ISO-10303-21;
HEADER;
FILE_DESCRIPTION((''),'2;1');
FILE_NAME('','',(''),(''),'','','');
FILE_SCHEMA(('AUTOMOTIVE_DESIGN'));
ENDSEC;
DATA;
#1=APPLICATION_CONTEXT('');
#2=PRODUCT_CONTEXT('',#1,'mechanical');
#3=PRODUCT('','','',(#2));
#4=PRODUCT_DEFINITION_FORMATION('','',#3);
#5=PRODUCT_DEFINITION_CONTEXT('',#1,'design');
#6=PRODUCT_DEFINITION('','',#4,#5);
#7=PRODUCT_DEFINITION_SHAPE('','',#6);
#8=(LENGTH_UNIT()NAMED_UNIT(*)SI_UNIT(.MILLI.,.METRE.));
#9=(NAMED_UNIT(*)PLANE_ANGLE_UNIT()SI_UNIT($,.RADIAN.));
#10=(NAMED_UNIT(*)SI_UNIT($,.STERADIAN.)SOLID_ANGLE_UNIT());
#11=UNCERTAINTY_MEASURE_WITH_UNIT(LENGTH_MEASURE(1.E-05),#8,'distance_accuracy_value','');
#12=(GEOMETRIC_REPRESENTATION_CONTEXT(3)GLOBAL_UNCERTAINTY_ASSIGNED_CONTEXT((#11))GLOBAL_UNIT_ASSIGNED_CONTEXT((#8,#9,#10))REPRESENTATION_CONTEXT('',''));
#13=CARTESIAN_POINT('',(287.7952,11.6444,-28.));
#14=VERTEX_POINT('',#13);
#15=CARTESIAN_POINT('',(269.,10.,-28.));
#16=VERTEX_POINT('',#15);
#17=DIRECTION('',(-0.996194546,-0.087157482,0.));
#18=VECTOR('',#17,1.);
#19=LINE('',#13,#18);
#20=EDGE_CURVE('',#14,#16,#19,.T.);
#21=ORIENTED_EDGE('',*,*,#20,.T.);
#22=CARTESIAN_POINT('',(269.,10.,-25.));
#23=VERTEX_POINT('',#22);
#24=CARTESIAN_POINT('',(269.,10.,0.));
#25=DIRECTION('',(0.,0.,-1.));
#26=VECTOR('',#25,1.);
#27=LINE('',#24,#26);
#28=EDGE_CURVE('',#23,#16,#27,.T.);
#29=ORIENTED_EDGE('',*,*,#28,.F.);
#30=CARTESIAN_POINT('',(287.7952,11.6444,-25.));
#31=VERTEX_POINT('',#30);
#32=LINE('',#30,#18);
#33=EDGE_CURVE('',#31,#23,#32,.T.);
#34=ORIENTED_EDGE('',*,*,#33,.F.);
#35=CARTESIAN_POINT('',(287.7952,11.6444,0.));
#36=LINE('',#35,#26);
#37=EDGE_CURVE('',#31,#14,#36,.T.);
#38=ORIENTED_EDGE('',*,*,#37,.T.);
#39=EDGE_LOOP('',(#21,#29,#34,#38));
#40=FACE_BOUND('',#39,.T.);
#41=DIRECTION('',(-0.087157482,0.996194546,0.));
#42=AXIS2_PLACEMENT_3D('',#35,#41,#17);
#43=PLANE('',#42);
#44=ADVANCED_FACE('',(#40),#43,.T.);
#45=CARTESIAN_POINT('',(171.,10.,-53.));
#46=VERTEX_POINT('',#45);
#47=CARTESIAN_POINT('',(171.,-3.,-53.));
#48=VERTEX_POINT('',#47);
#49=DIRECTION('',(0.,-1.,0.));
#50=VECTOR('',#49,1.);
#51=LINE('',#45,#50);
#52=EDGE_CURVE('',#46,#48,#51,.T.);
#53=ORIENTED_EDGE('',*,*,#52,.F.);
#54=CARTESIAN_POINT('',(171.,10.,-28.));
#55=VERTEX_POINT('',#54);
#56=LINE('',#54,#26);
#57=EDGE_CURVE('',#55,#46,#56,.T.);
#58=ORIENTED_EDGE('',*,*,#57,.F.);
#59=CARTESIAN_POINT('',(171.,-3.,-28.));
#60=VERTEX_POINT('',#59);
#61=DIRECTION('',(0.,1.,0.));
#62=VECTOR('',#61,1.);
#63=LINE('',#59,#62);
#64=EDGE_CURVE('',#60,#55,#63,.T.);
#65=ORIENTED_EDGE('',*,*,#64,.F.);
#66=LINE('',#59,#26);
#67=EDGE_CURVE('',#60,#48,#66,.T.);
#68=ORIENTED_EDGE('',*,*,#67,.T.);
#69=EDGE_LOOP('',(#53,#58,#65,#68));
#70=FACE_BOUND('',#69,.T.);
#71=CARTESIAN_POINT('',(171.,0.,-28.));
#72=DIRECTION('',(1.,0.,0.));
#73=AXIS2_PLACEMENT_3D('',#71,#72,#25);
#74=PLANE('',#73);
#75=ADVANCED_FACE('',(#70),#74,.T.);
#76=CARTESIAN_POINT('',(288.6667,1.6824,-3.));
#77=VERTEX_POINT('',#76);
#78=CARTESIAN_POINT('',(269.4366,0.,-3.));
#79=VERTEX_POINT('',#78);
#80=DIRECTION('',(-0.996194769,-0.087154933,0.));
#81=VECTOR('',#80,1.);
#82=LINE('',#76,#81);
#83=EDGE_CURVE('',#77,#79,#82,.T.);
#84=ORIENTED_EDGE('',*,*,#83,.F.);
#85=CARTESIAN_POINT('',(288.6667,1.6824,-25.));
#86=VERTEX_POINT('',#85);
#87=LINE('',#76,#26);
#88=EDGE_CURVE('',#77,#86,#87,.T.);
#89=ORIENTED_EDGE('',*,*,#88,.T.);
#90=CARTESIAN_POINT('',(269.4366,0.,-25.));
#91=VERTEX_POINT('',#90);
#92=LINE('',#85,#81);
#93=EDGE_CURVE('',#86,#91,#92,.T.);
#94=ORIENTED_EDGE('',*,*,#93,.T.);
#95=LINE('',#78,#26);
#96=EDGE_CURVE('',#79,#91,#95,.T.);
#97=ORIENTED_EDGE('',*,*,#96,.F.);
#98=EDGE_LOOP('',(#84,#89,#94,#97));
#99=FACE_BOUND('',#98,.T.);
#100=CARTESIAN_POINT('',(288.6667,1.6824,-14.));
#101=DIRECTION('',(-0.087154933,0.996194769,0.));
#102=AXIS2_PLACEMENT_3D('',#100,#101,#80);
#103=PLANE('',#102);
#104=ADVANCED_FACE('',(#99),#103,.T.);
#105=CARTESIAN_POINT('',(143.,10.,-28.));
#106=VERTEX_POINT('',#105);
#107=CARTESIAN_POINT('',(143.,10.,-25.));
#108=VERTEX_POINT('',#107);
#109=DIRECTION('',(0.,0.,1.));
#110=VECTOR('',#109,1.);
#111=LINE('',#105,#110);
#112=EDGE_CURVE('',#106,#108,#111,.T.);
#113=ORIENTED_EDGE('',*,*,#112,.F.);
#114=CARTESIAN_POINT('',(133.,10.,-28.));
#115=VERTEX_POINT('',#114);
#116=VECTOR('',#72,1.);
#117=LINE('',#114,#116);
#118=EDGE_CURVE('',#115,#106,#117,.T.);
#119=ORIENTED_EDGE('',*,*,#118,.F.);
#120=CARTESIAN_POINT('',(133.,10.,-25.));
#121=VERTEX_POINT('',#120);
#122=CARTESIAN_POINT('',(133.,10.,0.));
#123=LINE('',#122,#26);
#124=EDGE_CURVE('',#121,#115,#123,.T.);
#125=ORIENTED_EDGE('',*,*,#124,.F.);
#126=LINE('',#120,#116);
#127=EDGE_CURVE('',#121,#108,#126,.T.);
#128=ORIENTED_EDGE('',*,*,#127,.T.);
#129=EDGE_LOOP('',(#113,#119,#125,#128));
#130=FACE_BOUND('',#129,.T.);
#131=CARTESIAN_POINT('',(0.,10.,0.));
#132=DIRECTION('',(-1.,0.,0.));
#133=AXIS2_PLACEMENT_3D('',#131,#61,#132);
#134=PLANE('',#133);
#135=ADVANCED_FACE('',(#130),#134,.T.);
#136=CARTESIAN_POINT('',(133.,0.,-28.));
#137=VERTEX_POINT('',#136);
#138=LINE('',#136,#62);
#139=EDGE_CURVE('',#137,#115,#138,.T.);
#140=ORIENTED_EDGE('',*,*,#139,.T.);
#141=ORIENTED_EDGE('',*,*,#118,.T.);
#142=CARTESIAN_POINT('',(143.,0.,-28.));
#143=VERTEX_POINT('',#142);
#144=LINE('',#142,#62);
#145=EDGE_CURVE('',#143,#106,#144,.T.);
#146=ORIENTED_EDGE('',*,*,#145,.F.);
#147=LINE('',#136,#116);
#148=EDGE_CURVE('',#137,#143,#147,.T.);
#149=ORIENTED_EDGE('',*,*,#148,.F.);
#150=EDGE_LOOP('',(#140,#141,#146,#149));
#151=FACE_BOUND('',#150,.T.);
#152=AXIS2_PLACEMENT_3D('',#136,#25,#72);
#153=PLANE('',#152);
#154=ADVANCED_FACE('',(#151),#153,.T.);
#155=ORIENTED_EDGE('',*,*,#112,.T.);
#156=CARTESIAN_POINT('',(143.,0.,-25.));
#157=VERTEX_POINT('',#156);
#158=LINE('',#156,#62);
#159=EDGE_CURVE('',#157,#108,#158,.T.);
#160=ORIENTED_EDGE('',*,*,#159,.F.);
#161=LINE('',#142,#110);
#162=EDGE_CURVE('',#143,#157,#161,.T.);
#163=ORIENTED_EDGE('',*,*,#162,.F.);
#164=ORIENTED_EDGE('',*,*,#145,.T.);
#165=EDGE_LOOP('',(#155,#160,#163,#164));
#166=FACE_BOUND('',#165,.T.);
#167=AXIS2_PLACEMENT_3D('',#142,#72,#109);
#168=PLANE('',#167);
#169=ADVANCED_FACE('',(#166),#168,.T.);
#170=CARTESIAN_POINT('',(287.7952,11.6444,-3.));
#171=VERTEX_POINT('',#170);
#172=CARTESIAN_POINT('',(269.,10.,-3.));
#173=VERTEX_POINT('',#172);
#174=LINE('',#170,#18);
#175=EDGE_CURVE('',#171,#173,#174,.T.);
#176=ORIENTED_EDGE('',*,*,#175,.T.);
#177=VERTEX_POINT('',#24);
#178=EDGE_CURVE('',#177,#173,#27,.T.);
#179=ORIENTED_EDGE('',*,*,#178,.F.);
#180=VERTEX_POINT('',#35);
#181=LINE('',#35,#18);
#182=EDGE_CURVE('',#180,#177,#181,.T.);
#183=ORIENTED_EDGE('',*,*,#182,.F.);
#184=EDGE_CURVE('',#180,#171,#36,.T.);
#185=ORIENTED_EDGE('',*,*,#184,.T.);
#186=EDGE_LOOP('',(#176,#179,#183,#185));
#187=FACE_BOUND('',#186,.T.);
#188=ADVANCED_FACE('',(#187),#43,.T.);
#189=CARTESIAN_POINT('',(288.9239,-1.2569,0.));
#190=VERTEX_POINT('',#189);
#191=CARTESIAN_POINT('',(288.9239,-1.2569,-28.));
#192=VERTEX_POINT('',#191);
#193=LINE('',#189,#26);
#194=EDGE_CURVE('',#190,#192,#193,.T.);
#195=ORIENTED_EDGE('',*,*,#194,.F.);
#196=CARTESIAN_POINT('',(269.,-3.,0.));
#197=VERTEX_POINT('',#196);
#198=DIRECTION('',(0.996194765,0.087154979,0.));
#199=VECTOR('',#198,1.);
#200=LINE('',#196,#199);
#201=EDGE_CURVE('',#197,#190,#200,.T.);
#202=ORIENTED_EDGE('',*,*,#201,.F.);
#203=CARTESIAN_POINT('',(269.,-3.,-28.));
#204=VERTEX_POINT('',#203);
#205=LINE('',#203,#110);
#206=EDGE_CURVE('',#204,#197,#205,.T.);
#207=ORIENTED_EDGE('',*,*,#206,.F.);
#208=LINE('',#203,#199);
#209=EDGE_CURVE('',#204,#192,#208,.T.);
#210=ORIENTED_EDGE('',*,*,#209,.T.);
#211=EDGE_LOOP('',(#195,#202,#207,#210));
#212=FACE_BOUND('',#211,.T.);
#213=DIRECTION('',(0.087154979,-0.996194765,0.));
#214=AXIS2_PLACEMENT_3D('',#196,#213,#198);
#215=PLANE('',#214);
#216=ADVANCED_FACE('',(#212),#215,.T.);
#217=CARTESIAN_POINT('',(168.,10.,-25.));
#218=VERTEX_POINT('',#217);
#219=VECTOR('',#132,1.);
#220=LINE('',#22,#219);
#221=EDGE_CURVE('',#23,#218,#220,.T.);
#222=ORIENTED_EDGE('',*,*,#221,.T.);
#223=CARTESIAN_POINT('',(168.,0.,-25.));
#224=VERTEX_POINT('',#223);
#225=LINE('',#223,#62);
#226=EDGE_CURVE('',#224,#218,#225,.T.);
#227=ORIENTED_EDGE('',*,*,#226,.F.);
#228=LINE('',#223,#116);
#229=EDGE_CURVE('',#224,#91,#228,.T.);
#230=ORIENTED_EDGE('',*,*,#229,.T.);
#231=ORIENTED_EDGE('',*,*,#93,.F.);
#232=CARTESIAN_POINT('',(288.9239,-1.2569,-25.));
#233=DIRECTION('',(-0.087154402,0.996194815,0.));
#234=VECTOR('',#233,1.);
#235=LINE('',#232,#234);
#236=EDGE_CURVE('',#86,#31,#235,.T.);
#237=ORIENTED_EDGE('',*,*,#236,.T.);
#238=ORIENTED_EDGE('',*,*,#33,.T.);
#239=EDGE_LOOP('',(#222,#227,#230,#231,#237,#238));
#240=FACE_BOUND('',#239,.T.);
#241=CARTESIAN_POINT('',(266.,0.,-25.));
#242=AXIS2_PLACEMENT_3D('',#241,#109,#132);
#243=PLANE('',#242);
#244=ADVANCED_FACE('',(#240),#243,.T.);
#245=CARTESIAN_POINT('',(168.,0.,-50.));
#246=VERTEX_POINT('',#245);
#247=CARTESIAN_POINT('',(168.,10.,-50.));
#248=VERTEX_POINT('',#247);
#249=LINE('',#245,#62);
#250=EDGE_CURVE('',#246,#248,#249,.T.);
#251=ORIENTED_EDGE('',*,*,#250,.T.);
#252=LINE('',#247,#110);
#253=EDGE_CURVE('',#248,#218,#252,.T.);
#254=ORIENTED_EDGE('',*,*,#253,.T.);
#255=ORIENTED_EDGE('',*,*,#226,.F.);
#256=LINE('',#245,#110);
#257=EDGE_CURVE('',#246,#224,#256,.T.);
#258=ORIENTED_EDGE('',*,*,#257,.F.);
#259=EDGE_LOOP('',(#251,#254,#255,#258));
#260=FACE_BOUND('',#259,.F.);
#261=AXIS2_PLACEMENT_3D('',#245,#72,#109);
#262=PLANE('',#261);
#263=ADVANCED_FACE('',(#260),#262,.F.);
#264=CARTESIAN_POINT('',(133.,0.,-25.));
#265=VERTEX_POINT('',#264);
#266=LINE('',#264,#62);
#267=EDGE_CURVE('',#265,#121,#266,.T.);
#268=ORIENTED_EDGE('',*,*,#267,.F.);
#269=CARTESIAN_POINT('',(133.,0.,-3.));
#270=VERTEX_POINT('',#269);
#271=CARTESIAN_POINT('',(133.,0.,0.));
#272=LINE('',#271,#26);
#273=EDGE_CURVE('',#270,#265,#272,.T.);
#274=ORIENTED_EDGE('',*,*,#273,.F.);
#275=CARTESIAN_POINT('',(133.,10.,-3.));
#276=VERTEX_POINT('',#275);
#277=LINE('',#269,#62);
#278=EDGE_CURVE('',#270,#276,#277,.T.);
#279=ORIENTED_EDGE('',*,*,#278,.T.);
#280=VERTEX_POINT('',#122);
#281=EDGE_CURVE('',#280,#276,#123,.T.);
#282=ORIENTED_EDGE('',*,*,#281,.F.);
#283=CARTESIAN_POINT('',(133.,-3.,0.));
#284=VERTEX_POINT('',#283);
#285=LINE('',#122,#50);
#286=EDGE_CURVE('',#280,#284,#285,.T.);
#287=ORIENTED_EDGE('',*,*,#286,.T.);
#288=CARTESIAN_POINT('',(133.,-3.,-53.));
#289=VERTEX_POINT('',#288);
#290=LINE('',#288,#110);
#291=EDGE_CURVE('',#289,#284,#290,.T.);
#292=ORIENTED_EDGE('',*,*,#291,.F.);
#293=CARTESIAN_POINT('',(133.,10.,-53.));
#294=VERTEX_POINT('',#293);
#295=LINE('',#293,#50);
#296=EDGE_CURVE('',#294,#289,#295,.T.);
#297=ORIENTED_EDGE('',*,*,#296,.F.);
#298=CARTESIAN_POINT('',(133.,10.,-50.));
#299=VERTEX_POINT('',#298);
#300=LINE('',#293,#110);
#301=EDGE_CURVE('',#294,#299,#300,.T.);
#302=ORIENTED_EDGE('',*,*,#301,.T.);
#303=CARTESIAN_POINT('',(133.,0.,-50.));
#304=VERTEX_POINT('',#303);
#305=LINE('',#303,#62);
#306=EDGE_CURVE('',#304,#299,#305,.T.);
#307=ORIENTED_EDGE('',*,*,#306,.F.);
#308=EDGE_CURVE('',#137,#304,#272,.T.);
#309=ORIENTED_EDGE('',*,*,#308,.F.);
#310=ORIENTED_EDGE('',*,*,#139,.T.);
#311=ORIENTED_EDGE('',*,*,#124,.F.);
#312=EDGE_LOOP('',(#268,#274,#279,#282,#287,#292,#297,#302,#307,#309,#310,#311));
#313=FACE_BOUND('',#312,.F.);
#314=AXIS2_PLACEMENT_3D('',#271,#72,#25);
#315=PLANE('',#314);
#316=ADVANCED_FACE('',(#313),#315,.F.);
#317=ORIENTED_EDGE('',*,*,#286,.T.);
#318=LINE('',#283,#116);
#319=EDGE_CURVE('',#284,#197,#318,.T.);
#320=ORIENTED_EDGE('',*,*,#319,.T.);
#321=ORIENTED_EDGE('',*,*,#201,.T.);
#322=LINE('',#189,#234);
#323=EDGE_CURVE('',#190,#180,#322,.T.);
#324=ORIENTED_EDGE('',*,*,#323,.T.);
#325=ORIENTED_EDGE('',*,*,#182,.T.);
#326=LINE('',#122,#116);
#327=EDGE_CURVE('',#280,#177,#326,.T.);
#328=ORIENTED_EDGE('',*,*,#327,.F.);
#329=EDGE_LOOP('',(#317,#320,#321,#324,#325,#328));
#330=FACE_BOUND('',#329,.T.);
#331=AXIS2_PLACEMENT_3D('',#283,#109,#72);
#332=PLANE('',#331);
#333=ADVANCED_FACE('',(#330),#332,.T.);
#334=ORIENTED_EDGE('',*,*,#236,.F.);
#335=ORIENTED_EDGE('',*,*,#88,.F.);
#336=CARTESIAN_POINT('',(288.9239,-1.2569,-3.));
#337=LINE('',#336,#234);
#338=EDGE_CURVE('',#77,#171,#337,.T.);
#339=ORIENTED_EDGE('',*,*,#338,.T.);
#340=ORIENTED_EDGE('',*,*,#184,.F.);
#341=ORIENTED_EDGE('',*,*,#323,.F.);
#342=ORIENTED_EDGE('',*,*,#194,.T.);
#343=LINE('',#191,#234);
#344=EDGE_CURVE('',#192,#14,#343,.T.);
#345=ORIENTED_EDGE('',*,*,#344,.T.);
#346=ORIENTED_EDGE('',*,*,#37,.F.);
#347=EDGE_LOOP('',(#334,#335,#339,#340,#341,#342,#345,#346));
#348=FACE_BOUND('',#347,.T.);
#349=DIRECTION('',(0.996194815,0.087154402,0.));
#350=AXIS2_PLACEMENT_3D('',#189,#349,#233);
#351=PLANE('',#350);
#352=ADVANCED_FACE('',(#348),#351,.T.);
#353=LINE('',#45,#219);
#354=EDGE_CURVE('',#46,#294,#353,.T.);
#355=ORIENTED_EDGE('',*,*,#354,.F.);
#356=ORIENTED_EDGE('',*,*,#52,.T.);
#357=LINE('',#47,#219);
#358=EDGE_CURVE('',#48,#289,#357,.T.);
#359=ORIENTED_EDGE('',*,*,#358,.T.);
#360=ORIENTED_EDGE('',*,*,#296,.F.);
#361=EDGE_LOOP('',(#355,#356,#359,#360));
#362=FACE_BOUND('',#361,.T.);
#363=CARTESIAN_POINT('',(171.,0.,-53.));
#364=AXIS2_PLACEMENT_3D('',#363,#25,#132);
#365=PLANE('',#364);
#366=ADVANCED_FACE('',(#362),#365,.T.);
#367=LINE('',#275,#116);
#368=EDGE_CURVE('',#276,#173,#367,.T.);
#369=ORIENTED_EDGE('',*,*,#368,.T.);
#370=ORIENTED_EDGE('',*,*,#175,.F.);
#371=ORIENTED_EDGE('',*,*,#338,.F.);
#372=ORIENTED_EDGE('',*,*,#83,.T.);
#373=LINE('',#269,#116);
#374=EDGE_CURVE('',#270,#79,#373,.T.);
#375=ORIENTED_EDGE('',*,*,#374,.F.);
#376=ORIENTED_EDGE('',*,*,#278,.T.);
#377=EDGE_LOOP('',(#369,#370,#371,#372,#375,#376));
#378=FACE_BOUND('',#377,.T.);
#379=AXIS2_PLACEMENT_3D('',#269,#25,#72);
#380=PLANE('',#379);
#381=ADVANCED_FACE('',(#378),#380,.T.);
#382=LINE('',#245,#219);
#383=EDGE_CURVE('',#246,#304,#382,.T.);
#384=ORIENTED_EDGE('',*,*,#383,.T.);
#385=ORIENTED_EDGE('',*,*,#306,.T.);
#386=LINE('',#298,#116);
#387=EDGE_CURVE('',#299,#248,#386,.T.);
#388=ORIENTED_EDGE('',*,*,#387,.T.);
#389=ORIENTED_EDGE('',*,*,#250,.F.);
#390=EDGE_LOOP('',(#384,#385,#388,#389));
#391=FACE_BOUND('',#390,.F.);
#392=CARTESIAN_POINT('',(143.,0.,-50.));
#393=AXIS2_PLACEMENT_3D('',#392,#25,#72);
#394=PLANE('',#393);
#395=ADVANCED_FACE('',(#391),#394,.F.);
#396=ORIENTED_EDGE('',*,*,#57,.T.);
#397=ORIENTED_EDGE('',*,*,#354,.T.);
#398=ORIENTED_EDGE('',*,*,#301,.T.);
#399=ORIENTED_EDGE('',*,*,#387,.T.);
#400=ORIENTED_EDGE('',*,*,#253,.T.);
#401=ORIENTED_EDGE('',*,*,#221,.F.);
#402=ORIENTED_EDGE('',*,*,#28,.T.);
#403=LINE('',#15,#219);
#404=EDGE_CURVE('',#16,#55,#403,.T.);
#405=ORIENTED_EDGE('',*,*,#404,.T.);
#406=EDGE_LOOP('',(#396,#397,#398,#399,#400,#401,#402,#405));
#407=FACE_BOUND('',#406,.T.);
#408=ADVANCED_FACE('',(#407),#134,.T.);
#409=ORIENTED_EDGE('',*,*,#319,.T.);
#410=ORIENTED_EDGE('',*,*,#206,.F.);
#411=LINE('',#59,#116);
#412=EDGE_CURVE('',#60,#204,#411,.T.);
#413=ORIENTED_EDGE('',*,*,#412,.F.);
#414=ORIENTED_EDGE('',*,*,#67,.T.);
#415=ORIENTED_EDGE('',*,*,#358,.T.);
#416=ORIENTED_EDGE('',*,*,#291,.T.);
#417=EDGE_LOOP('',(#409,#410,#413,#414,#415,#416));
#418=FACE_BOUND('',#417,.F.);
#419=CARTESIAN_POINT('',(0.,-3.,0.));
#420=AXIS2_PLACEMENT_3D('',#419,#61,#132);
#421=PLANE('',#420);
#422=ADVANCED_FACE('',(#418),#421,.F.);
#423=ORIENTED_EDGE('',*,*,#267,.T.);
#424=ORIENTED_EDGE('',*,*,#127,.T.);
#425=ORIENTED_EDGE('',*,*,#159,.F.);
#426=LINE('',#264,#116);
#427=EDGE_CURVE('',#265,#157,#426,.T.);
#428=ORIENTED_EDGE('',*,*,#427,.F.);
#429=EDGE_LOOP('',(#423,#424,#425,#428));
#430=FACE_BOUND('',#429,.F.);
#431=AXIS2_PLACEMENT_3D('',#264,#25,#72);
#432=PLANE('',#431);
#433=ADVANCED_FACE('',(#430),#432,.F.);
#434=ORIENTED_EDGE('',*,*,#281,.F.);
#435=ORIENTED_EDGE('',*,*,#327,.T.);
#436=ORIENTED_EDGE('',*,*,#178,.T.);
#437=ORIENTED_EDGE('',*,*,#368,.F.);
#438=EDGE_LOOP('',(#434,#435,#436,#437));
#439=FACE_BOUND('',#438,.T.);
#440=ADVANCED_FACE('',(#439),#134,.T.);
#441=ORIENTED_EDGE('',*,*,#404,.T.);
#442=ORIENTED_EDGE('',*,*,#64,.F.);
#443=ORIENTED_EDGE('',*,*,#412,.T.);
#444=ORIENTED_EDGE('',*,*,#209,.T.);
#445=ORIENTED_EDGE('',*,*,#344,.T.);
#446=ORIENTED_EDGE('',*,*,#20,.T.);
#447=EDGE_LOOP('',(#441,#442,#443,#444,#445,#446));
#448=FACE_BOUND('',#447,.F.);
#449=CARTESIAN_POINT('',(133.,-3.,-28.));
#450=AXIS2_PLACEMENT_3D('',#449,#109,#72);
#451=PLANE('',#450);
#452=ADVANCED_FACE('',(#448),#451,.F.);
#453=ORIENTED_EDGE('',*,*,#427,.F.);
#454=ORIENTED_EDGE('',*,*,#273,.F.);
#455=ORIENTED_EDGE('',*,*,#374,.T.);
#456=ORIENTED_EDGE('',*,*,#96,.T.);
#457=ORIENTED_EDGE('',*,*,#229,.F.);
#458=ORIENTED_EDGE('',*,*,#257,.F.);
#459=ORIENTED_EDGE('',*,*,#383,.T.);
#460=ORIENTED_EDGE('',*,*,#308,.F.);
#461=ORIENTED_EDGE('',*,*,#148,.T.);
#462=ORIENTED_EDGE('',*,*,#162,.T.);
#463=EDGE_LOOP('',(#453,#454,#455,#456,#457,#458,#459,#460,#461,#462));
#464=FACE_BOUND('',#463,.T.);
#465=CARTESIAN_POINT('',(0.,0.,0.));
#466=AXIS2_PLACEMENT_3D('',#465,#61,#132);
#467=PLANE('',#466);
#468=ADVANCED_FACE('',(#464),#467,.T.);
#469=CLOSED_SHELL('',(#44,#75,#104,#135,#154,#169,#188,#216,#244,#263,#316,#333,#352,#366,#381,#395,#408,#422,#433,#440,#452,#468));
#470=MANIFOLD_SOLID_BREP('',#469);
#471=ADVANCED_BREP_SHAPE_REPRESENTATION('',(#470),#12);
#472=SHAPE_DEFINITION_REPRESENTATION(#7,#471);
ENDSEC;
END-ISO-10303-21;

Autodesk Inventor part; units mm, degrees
ref_plane "YZ Plane" through (0, 0, 0) normal (1, 0, 0) x (0, 1, 0)
ref_plane "XZ Plane" through (0, 0, 0) normal (0, 1, 0) x (-1, 0, 0)
sketch "Esboço1" plane through (0, 0, 0) normal (0, 1, 0) x (-1, 0, 0)
  line L0 (-133, -3) -> (0, -3)
  line L1 (0, -25) -> (-98, -25)
  line L2 (-133, 0) -> (-133, -28)
  line L3 (-133, -28) -> (-123, -28)
  line L4 (-95, -28) -> (0, -28)
  line L5 (0, -28) -> (0, 0)
  line L6 (0, 0) -> (-133, 0)
  line L7 (-95, -28) -> (-95, -53)
  line L8 (-95, -53) -> (-133, -53)
  line L9 (-133, -53) -> (-133, -50)
  line L10 (-133, -50) -> (-98, -50)
  line L11 (-98, -50) -> (-98, -25)
  arc A0 (-123, -50) -> (-98, -25) centre (-123, -25) ccw
  arc A1 (-123, -28) -> (-120, -25) centre (-123, -25) ccw
  line L12 (-133, -25) -> (-120, -25)
  line L13 (0, 0) -> (3, 0)
  line L14 (3, 0) -> (3, -28)
  line L15 (3, -28) -> (0, -28)
  line L16 (-123, -28) -> (-123, -25)
  line L17 (-133, -50) -> (-133, -28)
  line L18 (0, -3) -> (3, -3)
  line L19 (0, -25) -> (3, -25)
  line L20 (-133, -3) -> (-266, -3)
  line L21 (-266, -25) -> (-168, -25)
  line L22 (-133, -28) -> (-143, -28)
  line L23 (-171, -28) -> (-266, -28)
  line L24 (-266, -28) -> (-266, 0)
  line L25 (-266, 0) -> (-133, 0)
  line L26 (-171, -28) -> (-171, -53)
  line L27 (-171, -53) -> (-133, -53)
  line L28 (-133, -50) -> (-168, -50)
  line L29 (-168, -50) -> (-168, -25)
  arc A2 (-168, -25) -> (-143, -50) centre (-143, -25) ccw
  arc A3 (-146, -25) -> (-143, -28) centre (-143, -25) ccw
  line L30 (-133, -25) -> (-146, -25)
  line L31 (-266, 0) -> (-269, 0)
  line L32 (-269, 0) -> (-269, -28)
  line L33 (-269, -28) -> (-266, -28)
  line L34 (-143, -28) -> (-143, -25)
  line L35 (-266, -3) -> (-269, -3)
  line L36 (-266, -25) -> (-269, -25)
  point P0 (-133, -14)
  point P1 (-133, -51.5)
  point P2 (-83, -28)
  dimension "d7" = 22
  dimension "d9" = 3
  dimension "d10" = 3
  dimension "d13" = 3
  dimension "d14" = 3
  dimension "d16" = 22
  dimension "d20" = 22
  dimension "d21" = 120
  dimension "d29" = 3
  dimension "d31" = 10
extrude "Extrusão1" add sketch "Esboço1" against normal blind 3 contours L20 L24 L25 L2 | L2 L30 A3 L22 L17 L28 A2 L21 L24 L20 | L2 L22 L34 L30 | L35 L32 L31 L24 | L24 L36 L32 L35 | L34 A3 L30 | L21 L29 L28 L9 L27 L26 L23 L24 | L24 L33 L32 L36 | A2 L28 L29
extrude "Extrusão2" add sketch "Esboço1" along normal blind 10 contours L20 L24 L25 L2 | L2 L22 L34 L30 | L35 L32 L31 L24 | L21 L29 L28 L9 L27 L26 L23 L24 | L24 L33 L32 L36
sketch "Esboço2" plane through (133, -3, 0) normal (0, 0, 1) x (1, 0, 0)
  line L0 (0, 13) -> (136, 13) projected
  line L1 (136, 0) -> (0, 0) projected
  line L2 (136, 0) -> (155.9239, 1.7431)
  line L3 (136, 0) -> (156, 0) construction
  line L4 (155.9239, 1.7431) -> (154.7952, 14.6444)
  line L5 (154.7952, 14.6444) -> (136, 13)
  line L6 (136, 0) -> (136, 13) projected
  line L7 (136, 0) -> (136, 13)
  dimension "d32" = 20
  dimension "d33" = 5
extrude "Extrusão4" add sketch "Esboço2" against normal up to surface (28 mm away)
ref_plane "Plano de trabalho1" through (171, -3, -14) normal (0, 0, -1) x (-1, 0, 0)
sketch "Esboço3" plane through (171, -3, -14) normal (0, 0, -1) x (-1, 0, 0)
  line L0 (-116.7952, 14.6444) -> (-98, 13) projected
  line L1 (3, 13) -> (-98, 13) projected
  line L2 (-98, 0) -> (-117.9239, 1.7431) projected
  line L3 (-117.6667, 4.6824) -> (-98.4366, 3)
  line L4 (-98.4366, 3) -> (-98, 3)
  line L5 (-117.9239, 1.7431) -> (-116.7952, 14.6444) projected
  line L6 (-117.6667, 4.6824) -> (-116.7952, 14.6444)
  line L7 (-116.7952, 14.6444) -> (-98, 13)
  line L8 (-98, 13) -> (-98, 3)
  dimension "d36" = 10
extrude "Extrusão5" cut sketch "Esboço3" along normal mid plane 22
equation "\"d9\" = mdf"
equation "\"d10\" = mdf"
equation "\"d13\" = mdf"
equation "\"d14\" = mdf"
equation "\"mdf\" = 3"
equation "\"margem\" = 1"
properties part number "Trilho 5 min"
